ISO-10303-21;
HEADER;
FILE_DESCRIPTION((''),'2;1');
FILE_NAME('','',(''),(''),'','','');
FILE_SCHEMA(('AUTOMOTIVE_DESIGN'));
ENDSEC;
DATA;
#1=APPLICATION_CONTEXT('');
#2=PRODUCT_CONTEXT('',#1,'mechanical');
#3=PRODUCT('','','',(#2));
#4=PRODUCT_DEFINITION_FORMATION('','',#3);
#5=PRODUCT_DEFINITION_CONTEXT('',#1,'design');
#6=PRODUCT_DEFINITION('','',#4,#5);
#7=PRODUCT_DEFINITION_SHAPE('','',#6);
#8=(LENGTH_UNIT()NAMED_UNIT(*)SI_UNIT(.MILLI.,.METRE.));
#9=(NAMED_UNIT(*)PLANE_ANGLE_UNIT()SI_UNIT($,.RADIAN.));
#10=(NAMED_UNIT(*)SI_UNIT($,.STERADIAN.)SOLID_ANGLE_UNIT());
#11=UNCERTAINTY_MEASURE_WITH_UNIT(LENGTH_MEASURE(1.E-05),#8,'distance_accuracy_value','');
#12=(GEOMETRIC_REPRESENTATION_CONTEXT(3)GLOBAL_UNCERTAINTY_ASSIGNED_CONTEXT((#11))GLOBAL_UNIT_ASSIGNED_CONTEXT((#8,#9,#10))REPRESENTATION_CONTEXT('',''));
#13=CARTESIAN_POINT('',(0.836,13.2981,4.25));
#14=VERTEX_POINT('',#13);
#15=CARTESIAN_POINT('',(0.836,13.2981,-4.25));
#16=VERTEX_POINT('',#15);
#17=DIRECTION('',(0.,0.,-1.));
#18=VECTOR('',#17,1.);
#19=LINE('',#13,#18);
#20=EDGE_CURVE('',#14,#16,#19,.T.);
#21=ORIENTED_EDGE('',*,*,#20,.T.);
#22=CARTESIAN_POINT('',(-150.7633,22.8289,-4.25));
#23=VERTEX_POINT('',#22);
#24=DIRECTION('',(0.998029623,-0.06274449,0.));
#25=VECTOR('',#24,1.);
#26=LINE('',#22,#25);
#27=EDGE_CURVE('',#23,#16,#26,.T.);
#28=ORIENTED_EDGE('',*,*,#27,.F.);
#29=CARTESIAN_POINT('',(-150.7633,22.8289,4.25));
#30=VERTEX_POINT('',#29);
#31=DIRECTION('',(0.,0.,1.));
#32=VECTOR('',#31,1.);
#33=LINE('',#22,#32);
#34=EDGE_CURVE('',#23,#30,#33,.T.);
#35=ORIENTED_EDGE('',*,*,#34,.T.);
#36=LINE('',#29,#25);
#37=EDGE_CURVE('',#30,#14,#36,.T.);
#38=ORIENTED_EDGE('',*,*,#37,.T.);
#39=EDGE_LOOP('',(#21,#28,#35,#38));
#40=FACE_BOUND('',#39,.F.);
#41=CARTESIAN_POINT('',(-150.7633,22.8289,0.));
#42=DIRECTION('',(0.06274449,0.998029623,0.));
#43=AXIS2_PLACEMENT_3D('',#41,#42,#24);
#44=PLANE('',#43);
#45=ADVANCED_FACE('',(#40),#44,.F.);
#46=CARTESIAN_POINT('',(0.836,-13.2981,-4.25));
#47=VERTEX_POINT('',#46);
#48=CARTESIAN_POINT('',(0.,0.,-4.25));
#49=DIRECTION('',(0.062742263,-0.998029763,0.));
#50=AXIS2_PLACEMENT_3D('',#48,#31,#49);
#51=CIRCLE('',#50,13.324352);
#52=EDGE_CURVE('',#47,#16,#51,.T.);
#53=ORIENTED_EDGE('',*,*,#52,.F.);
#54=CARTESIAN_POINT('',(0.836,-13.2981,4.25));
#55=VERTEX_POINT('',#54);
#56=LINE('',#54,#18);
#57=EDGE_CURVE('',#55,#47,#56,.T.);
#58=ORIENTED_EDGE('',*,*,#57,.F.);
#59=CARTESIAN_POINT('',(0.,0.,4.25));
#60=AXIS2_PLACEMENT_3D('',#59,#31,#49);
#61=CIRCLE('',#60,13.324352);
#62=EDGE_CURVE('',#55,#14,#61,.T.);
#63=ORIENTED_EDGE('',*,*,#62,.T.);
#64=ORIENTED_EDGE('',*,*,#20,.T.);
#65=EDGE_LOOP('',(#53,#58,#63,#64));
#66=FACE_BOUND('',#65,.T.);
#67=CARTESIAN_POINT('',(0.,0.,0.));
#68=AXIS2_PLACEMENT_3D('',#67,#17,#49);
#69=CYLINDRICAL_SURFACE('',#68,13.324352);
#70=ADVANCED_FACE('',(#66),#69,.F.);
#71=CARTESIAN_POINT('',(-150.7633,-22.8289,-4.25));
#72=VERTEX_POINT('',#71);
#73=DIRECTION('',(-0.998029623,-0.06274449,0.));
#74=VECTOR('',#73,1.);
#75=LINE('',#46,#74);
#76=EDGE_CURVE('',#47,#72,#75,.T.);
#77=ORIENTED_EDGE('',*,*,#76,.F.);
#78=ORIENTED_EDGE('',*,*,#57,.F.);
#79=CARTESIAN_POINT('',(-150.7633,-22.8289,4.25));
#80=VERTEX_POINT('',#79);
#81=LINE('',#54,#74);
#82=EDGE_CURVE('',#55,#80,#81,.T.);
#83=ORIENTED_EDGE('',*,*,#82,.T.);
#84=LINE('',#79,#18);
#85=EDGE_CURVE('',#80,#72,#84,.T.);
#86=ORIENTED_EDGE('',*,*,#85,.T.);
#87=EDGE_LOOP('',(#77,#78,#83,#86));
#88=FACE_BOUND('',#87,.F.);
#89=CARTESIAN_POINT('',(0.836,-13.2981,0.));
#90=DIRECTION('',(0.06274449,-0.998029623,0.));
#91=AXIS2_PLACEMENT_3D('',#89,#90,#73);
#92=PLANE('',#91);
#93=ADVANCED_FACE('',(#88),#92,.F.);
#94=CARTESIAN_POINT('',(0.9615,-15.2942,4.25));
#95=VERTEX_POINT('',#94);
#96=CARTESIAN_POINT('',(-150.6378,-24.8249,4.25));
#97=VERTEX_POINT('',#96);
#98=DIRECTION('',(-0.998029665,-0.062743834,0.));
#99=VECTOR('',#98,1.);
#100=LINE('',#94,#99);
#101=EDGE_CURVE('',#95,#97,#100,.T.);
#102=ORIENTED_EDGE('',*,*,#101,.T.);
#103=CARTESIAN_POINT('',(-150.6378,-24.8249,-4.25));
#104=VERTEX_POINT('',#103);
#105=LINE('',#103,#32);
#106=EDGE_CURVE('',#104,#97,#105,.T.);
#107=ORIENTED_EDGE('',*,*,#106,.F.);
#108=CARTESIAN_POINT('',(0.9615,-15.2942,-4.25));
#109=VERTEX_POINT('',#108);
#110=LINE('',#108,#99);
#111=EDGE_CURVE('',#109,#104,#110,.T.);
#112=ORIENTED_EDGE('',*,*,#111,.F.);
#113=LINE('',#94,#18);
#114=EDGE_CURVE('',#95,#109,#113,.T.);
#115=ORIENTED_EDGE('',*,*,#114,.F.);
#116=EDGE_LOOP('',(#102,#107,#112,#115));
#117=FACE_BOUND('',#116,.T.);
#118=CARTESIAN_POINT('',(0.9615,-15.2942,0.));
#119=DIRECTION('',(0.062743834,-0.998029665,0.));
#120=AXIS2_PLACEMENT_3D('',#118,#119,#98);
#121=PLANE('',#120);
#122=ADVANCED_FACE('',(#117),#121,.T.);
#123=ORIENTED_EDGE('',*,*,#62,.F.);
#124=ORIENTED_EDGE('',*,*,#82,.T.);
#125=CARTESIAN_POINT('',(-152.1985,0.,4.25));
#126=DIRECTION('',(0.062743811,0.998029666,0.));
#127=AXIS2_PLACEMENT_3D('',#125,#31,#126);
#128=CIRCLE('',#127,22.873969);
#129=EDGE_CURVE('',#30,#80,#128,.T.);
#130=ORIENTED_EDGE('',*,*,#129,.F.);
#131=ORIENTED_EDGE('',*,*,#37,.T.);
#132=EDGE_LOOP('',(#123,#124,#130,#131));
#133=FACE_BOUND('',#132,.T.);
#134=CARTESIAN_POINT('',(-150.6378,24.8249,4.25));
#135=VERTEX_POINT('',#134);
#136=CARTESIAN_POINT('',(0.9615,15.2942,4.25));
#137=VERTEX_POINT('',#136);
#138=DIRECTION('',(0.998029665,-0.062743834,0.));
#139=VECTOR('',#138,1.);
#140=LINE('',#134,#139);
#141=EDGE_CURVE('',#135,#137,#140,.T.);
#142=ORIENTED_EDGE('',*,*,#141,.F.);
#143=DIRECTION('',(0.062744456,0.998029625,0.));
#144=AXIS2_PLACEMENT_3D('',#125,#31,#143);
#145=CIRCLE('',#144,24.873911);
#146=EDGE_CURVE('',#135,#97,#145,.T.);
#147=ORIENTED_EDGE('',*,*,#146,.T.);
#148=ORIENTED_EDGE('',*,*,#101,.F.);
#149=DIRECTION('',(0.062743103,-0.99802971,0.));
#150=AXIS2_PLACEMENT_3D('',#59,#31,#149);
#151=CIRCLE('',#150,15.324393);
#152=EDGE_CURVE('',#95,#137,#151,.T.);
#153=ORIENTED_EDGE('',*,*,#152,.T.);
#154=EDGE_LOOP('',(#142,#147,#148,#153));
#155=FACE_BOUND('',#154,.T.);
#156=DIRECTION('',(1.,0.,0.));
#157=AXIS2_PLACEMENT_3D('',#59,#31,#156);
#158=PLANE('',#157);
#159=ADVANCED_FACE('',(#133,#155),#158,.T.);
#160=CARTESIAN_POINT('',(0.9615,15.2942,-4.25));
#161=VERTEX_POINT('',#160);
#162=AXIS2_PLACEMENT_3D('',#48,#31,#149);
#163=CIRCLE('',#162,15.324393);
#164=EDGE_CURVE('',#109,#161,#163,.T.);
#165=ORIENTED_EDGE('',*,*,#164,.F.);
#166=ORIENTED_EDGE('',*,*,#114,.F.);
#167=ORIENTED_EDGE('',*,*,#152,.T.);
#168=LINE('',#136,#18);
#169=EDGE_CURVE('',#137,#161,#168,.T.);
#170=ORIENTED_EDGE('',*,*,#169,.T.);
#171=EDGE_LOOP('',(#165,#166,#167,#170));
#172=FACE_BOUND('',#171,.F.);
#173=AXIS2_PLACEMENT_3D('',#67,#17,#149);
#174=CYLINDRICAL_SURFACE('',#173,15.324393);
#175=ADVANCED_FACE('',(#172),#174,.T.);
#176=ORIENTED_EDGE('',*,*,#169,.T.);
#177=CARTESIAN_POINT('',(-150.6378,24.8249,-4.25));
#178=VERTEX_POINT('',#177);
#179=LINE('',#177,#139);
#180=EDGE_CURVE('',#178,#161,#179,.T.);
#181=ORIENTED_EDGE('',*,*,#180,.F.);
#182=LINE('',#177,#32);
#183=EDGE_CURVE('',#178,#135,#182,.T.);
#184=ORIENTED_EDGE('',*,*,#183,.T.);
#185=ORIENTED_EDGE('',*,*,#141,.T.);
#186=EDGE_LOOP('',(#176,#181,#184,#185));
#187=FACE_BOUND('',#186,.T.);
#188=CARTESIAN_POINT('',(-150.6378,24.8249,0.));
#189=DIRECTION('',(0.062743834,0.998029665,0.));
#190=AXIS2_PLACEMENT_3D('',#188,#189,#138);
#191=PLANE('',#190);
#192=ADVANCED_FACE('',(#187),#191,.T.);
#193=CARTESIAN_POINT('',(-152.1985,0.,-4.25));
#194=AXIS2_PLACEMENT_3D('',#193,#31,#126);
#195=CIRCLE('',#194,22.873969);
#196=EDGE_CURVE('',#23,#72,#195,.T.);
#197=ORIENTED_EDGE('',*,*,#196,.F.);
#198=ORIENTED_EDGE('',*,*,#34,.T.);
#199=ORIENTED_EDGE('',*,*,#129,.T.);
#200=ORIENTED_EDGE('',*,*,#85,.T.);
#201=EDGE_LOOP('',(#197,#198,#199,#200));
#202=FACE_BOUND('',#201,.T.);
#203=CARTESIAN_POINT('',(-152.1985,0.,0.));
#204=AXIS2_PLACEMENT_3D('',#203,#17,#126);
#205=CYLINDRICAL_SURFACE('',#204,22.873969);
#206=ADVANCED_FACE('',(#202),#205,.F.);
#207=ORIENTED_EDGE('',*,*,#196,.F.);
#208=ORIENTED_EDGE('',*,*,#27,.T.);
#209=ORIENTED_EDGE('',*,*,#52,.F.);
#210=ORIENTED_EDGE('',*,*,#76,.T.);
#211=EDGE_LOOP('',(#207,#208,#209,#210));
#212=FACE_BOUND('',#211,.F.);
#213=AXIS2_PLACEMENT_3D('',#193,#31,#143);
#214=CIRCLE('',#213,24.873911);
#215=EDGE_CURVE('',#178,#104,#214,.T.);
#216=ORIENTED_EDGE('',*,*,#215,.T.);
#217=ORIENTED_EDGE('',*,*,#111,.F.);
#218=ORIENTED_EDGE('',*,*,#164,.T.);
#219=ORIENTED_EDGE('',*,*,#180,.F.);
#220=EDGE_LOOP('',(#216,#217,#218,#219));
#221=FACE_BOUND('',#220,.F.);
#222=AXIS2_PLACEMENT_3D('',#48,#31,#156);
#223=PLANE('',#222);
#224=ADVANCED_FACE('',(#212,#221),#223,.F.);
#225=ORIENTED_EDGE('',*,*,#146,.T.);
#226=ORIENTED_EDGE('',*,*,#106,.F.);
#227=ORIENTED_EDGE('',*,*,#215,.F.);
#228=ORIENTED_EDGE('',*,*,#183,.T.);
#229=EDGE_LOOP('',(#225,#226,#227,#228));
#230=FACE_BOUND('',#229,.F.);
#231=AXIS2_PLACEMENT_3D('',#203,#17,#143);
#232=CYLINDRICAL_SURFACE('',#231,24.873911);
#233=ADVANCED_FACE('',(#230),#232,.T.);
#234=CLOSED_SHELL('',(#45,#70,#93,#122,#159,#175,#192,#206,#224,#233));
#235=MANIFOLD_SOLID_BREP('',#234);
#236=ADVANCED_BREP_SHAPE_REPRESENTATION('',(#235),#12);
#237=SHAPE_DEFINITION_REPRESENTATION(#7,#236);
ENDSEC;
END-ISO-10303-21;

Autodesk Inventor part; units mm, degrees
ref_plane "YZ Plane" through (0, 0, 0) normal (1, 0, 0) x (0, 1, 0)
ref_plane "XZ Plane" through (0, 0, 0) normal (0, 1, 0) x (-1, 0, 0)
ref_plane "XY Plane" through (0, 0, 0) normal (0, 0, 1) x (1, 0, 0)
sketch "Sketch1" plane through (0, 0, 0) normal (0, 0, 1) x (1, 0, 0)
  arc A0 (0.8988, -14.2961) -> (0.8988, 14.2961) centre (0, 0) ccw construction
  arc A1 (-150.7006, 23.8269) -> (-150.7006, -23.8269) centre (-152.1985, 0) ccw construction
  line L0 (0.8988, -14.2961) -> (-150.7006, -23.8269) construction
  line L1 (0.8988, 14.2961) -> (-150.7006, 23.8269) construction
  dimension "Belt_Teeth" = 85
  dimension "Belt_Pitch2" = 5
  dimension "d0" = 28.6487
  dimension "d1" = 47.7479
  dimension "d2" = 43.2026
  dimension "d3" = 78.0001
  dimension "Center_Distance" = 152.1985
  dimension "d5" = 151.8987
sketch "Sketch2" plane through (0, 0, 0) normal (0, 0, 1) x (1, 0, 0)
  line L0 (35.7235, 34.2567) -> (40.7235, 34.2567)
  point P0 (0, 0)
  dimension "Belt_Pitch2" = 5
sketch "Sketch4" plane through (0, 0, 0) normal (0, 0, 1) x (1, 0, 0)
  line L0 (-16.1422, -21.869) -> (-14.1422, -21.869)
  line L1 (-16.1422, -21.869) -> (-16.1422, -20.349)
  arc A0 (-15.5872, -20.904) -> (-16.1422, -20.349) centre (-16.1422, -20.904) ccw
  line L2 (-15.5872, -20.904) -> (-15.5872, -20.959)
  arc A1 (-15.5872, -20.959) -> (-15.4372, -21.109) centre (-15.4372, -20.959) ccw
  line L3 (-15.4372, -21.109) -> (-14.8472, -21.109)
  line L4 (-14.1422, -21.869) -> (-14.1422, -20.349)
  arc A2 (-14.1422, -20.349) -> (-14.6972, -20.904) centre (-14.1422, -20.904) ccw
  arc A3 (-14.8472, -21.109) -> (-14.6972, -20.959) centre (-14.8472, -20.959) ccw
  line L5 (-14.6972, -20.959) -> (-14.6972, -20.904)
  line L6 (0.8988, 14.2961) -> (-150.7006, 23.8269) construction
  arc A4 (-150.7006, 23.8269) -> (-150.7006, -23.8269) centre (-152.1985, 0) ccw construction
  line L7 (0.8988, -14.2961) -> (-150.7006, -23.8269) construction
  arc A5 (0.8988, -14.2961) -> (0.8988, 14.2961) centre (0, 0) ccw construction
  arc A6 (-150.6378, 24.8249) -> (-150.6378, -24.8249) centre (-152.1985, 0) ccw
  line L8 (-150.6378, 24.8249) -> (0.9615, 15.2942)
  arc A7 (0.9615, -15.2942) -> (0.9615, 15.2942) centre (0, 0) ccw
  line L9 (0.9615, -15.2942) -> (-150.6378, -24.8249)
  arc A8 (-150.7633, 22.8289) -> (-150.7633, -22.8289) centre (-152.1985, 0) ccw
  line L10 (-150.7633, 22.8289) -> (0.836, 13.2981)
  arc A9 (0.836, -13.2981) -> (0.836, 13.2981) centre (0, 0) ccw
  line L11 (0.836, -13.2981) -> (-150.7633, -22.8289)
  point P0 (-15.1422, -21.109)
  point P1 (-15.1422, -21.869)
  dimension "d9" = 2
  dimension "d10" = 1.52
  dimension "d11" = 0.76
  dimension "d12" = 0.555
  dimension "d13" = 0.555
  dimension "d14" = 0.15
  dimension "d15" = 0.15
  dimension "belt_thickness" = 2
  dimension "d44" = 1
extrude "Extrusion2" add sketch "Sketch4" along normal mid plane 8.5 contours L8 A7 L9 A6
sketch "Sketch5" plane through (0, 0, 4.25) normal (0, 0, 1) x (1, 0, 0)
  line L0 (-150.7633, 22.8289) -> (0.836, 13.2981) construction
  arc A0 (0.836, -13.2981) -> (0.836, 13.2981) centre (0, 0) ccw construction
  line L1 (0.836, -13.2981) -> (-150.7633, -22.8289) construction
  arc A1 (-150.7633, 22.8289) -> (-150.7633, -22.8289) centre (-152.1985, 0) ccw construction
  arc A2 (-150.6378, 24.8249) -> (-150.6378, -24.8249) centre (-152.1985, 0) ccw construction
  line L2 (-150.6378, -24.8249) -> (0.9615, -15.2942) construction
  arc A3 (0.9615, -15.2942) -> (0.9615, 15.2942) centre (0, 0) ccw construction
  line L3 (0.9615, 15.2942) -> (-150.6378, 24.8249) construction
  line L4 (-7.7556, -2.6989) -> (-5.7556, -2.6989)
  line L5 (-7.7556, -2.6989) -> (-7.7556, -1.1789) construction
  arc A4 (-7.2006, -1.7339) -> (-7.7556, -1.1789) centre (-7.7556, -1.7339) ccw
  line L6 (-7.2006, -1.7339) -> (-7.2006, -1.7889)
  arc A5 (-7.2006, -1.7889) -> (-7.0506, -1.9389) centre (-7.0506, -1.7889) ccw
  line L7 (-7.0506, -1.9389) -> (-6.4606, -1.9389)
  line L8 (-5.7556, -2.6989) -> (-5.7556, -1.1789)
  arc A6 (-5.7556, -1.1789) -> (-6.3106, -1.7339) centre (-5.7556, -1.7339) ccw
  arc A7 (-6.4606, -1.9389) -> (-6.3106, -1.7889) centre (-6.4606, -1.7889) ccw
  line L9 (-6.3106, -1.7889) -> (-6.3106, -1.7339)
  line L10 (-8.3106, -1.7339) -> (-8.3106, -1.7889)
  arc A8 (-7.7556, -1.1789) -> (-8.3106, -1.7339) centre (-7.7556, -1.7339) ccw
  arc A9 (-8.4606, -1.9389) -> (-8.3106, -1.7889) centre (-8.4606, -1.7889) ccw
  line L11 (-8.4606, -1.9389) -> (-9.0506, -1.9389)
  line L12 (-7.7556, -2.6989) -> (-9.7556, -2.6989)
  line L13 (-9.2006, -1.7889) -> (-9.2006, -1.7339)
  arc A10 (-9.2006, -1.7339) -> (-9.7556, -1.1789) centre (-9.7556, -1.7339) ccw
  line L14 (-9.7556, -2.6989) -> (-9.7556, -1.1789)
  arc A11 (-9.2006, -1.7889) -> (-9.0506, -1.9389) centre (-9.0506, -1.7889) ccw
  line L15 (-17.66, -0.8495) -> (-14.922, -0.8495) construction
  line L16 (-14.922, -0.8495) -> (-14.922, -2.3671) construction
  line L17 (-14.922, -2.3671) -> (-17.66, -2.3671) construction
  line L18 (-17.66, -2.3671) -> (-17.66, -0.8495) construction
  arc A12 (-15.6383, -1.7102) -> (-16.7483, -1.7102) centre (-16.1933, -1.7102) ccw construction
  line L19 (-16.7483, -1.7102) -> (-16.7483, -1.7652) construction
  arc A13 (-16.8983, -1.9152) -> (-16.7483, -1.7652) centre (-16.8983, -1.7652) ccw construction
  line L20 (-16.7483, -1.7102) -> (-16.7483, -1.9152) construction
  line L21 (-15.6383, -1.7102) -> (-15.6383, -1.9152) construction
  point P0 (-6.7556, -1.9389)
  point P1 (-6.7556, -2.6989)
  point P2 (-8.7556, -2.6989)
  point P3 (-8.7556, -1.9389)
  dimension "d22" = 2
  dimension "d23" = 1.52
  dimension "d24" = 0.76
  dimension "d25" = 0.555
  dimension "d26" = 0.555
  dimension "d27" = 0.15
  dimension "d28" = 0.15
  dimension "d29" = 0.76
  dimension "d30" = 1
  dimension "d31" = 2
  dimension "d32" = 0.59
  dimension "d34" = 0.555
  dimension "d35" = 0
  dimension "d36" = 0
  dimension "d37" = 0.15
  dimension "d38" = 0.055
  dimension "d39" = 0.055
  dimension "d40" = 0
  dimension "d41" = 0
  dimension "d42" = 0.205
  dimension "d43" = 0.205
equation "\"d13\" = d12"
equation "\"d15\" = d14"
equation "\"d44\" = 0.5 * belt_thickness"
equation "\"d26\" = d25"
equation "\"d28\" = d27"
equation "\"d30\" = 0.5 * d22"
equation "\"d31\" = d22"
equation "\"d43\" = d42"
equation "\"Belt_Teeth\" = 85"
equation "\"Belt_Pitch\" = 3"
equation "\"HTD_5mm\" = 5"
equation "\"GT2_3mm\" = 3"
equation "\"Center_Distance_Copy\" = Center_Distance"
properties part number "GP6-014 - 85T belt" material "Rubber"
